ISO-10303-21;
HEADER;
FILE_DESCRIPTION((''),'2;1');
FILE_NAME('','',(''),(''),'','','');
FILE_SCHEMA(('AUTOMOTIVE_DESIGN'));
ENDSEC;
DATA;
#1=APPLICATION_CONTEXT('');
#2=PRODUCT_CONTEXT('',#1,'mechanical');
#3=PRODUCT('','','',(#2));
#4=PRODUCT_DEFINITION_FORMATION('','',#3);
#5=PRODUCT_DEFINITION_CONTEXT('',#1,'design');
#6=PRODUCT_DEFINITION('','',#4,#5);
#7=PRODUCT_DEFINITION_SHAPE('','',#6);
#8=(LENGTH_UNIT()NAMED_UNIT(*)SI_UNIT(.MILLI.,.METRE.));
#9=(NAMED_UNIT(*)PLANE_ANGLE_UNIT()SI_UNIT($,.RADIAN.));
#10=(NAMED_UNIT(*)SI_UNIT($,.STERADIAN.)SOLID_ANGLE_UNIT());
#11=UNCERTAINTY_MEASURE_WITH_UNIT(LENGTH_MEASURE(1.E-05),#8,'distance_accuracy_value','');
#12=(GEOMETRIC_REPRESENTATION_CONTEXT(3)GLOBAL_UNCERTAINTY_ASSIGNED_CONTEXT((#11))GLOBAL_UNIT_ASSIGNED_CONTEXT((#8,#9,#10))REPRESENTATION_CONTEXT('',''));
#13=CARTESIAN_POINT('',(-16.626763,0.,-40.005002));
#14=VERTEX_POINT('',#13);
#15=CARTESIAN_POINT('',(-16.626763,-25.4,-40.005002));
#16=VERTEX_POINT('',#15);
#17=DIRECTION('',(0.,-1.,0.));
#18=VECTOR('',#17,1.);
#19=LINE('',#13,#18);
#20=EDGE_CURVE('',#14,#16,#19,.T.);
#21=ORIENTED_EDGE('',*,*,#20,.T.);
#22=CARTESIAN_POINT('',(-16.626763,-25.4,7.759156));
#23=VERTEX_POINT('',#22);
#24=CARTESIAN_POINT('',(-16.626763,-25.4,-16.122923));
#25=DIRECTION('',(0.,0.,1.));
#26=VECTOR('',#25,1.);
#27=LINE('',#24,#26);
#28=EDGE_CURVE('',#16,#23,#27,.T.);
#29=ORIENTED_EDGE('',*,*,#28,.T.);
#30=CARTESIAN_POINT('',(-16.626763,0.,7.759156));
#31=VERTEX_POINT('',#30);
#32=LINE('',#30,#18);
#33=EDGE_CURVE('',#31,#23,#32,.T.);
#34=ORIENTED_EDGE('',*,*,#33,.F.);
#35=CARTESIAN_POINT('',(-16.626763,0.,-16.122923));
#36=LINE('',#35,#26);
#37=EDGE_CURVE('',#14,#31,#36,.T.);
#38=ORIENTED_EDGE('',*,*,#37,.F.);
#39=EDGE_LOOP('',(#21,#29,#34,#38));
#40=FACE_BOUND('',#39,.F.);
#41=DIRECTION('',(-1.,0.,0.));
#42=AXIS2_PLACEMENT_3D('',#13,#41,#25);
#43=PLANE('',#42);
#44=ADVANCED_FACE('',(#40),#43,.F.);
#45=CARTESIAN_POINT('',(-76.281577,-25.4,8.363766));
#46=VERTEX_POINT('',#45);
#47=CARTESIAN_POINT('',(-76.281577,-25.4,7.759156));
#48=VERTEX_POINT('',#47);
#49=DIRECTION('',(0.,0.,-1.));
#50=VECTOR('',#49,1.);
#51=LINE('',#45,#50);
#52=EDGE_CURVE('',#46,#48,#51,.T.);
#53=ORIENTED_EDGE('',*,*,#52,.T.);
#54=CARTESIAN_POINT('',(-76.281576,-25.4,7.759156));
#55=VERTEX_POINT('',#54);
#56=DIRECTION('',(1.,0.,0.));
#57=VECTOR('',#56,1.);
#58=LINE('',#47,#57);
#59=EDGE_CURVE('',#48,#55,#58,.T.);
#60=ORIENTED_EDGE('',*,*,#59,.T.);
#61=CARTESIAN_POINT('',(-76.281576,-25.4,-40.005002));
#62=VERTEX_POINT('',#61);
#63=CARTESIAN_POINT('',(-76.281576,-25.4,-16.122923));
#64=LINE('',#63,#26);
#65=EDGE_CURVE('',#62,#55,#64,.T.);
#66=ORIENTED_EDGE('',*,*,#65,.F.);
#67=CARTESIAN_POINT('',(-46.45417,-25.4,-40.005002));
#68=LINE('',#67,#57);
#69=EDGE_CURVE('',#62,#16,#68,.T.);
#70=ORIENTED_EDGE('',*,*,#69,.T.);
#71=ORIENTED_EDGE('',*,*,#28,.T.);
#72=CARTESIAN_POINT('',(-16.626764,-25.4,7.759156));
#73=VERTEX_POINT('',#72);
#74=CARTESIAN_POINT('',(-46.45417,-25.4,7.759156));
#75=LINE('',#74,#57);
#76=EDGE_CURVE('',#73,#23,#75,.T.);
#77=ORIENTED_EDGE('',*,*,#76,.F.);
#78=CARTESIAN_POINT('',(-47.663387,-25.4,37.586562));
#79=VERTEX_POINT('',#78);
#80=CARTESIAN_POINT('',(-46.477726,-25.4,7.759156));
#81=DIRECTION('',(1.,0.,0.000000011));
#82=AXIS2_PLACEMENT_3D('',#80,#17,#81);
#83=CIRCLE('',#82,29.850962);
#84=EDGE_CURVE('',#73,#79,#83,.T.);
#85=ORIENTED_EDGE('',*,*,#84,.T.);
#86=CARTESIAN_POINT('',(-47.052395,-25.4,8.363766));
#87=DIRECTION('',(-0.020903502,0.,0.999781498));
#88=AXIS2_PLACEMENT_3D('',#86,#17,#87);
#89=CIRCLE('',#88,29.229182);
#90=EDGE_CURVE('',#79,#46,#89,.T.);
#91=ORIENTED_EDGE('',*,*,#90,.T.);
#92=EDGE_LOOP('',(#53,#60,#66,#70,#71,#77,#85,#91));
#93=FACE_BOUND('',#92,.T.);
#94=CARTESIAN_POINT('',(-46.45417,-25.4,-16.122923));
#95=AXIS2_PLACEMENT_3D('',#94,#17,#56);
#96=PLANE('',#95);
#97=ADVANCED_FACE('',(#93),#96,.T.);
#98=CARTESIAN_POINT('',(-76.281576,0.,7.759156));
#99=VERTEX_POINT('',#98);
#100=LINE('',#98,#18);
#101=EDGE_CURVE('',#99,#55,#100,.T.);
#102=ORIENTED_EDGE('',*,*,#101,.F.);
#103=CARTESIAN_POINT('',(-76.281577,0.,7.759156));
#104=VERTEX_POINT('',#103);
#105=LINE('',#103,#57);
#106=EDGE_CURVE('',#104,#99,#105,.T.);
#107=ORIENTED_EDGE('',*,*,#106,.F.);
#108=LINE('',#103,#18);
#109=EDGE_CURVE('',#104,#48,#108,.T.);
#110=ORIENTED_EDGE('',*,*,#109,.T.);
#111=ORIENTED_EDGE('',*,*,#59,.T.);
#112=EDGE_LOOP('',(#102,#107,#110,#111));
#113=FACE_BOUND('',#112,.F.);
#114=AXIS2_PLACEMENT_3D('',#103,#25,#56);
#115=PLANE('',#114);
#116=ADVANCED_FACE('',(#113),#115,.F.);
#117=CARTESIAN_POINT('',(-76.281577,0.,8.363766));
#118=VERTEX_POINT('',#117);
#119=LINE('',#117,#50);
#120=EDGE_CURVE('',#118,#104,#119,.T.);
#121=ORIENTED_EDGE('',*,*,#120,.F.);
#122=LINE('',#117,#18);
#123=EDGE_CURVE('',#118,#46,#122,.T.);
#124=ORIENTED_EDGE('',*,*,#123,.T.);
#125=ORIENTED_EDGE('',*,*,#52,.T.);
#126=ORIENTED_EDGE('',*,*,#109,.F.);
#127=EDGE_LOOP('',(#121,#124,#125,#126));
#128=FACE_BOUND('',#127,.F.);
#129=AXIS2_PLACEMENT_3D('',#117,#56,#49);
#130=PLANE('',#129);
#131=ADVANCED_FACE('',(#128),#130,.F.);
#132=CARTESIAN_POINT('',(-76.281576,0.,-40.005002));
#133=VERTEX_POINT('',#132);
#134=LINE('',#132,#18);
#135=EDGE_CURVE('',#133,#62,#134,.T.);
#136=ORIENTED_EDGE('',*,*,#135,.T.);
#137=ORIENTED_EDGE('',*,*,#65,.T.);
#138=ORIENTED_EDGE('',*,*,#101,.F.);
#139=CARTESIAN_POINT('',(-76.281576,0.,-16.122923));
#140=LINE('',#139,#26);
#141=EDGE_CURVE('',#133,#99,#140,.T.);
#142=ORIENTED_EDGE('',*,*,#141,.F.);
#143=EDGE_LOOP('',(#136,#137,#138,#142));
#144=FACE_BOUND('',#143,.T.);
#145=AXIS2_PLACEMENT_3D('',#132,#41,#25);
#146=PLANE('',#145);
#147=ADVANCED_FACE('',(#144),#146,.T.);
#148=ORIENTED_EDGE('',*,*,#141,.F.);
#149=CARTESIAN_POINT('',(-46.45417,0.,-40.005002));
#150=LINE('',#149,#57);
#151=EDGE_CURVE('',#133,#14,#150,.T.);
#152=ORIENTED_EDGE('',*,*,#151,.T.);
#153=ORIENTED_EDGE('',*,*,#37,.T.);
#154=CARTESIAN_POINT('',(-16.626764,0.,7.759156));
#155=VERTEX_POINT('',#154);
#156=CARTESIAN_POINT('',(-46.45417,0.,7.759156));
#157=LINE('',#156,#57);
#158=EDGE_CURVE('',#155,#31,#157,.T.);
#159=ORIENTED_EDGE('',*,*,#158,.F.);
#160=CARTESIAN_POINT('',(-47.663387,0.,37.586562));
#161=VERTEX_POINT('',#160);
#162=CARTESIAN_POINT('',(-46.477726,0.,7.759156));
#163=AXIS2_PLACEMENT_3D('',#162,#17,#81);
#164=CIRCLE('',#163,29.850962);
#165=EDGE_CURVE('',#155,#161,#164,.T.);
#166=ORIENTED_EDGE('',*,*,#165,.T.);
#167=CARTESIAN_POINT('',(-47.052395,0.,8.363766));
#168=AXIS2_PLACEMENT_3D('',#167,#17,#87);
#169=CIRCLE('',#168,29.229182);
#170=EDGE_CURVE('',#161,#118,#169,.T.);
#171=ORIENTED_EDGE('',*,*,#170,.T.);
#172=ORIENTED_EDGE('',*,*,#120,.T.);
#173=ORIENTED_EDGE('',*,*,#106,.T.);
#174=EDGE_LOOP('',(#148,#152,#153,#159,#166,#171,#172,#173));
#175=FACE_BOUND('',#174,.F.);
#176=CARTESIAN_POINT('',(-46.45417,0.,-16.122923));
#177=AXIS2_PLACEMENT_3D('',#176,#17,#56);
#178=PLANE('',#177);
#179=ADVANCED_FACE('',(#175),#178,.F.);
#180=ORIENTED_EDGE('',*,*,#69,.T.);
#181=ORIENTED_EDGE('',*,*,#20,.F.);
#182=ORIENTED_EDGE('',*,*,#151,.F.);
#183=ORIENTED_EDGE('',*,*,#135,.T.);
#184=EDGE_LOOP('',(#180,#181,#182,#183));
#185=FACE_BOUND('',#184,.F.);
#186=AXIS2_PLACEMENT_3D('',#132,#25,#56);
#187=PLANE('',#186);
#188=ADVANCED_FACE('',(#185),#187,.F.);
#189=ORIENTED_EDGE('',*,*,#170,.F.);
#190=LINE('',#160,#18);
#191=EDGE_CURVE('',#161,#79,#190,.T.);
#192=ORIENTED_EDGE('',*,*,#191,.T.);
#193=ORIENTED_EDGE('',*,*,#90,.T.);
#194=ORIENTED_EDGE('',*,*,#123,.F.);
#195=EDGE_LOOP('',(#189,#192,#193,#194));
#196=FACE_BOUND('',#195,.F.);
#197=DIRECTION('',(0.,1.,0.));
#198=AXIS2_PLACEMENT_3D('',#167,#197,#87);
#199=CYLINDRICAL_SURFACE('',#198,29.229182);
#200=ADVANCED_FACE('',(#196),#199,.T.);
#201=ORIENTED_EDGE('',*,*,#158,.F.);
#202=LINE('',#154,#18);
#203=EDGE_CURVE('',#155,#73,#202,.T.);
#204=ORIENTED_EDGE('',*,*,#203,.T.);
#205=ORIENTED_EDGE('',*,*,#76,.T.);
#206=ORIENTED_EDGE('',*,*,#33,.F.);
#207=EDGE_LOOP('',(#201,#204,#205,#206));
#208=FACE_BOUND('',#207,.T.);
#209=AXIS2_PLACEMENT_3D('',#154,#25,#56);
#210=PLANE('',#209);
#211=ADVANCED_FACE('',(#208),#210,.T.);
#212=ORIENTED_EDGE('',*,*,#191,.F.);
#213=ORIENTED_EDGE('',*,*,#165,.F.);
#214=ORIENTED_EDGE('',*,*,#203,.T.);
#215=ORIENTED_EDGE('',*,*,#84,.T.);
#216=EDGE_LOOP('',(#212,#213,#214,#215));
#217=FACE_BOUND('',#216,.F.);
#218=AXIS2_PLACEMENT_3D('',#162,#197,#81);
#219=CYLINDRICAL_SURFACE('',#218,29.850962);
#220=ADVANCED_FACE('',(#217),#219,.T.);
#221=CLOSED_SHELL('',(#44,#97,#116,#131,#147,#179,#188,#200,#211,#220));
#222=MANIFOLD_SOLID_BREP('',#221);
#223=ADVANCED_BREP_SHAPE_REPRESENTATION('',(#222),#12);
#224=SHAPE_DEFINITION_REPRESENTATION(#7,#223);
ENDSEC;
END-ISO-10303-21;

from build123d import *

# Parameters (mm, degrees)
F0_W     = 59.654813
F0_H     = 47.764158
F1_DEPTH = 25.4


with BuildPart() as f1:
    # F0 (on Front) → F1 (new body)
    with BuildSketch(Plane.XZ):
        with Locations((-46.45417, -16.122923)):
            Rectangle(F0_W, F0_H)
        with BuildLine():
            ThreePointArc((-47.663387, 37.586562), (-67.935449, 28.81476), (-76.281577, 8.363766))
            Line((-76.281577, 8.363766), (-76.281577, 7.759156))
            Line((-76.281577, 7.759156), (-16.626764, 7.759156))
            ThreePointArc((-16.626764, 7.759156), (-25.79335, 29.282086), (-47.663387, 37.586562))
        make_face()
    extrude(amount=F1_DEPTH)


solid = f1.part
